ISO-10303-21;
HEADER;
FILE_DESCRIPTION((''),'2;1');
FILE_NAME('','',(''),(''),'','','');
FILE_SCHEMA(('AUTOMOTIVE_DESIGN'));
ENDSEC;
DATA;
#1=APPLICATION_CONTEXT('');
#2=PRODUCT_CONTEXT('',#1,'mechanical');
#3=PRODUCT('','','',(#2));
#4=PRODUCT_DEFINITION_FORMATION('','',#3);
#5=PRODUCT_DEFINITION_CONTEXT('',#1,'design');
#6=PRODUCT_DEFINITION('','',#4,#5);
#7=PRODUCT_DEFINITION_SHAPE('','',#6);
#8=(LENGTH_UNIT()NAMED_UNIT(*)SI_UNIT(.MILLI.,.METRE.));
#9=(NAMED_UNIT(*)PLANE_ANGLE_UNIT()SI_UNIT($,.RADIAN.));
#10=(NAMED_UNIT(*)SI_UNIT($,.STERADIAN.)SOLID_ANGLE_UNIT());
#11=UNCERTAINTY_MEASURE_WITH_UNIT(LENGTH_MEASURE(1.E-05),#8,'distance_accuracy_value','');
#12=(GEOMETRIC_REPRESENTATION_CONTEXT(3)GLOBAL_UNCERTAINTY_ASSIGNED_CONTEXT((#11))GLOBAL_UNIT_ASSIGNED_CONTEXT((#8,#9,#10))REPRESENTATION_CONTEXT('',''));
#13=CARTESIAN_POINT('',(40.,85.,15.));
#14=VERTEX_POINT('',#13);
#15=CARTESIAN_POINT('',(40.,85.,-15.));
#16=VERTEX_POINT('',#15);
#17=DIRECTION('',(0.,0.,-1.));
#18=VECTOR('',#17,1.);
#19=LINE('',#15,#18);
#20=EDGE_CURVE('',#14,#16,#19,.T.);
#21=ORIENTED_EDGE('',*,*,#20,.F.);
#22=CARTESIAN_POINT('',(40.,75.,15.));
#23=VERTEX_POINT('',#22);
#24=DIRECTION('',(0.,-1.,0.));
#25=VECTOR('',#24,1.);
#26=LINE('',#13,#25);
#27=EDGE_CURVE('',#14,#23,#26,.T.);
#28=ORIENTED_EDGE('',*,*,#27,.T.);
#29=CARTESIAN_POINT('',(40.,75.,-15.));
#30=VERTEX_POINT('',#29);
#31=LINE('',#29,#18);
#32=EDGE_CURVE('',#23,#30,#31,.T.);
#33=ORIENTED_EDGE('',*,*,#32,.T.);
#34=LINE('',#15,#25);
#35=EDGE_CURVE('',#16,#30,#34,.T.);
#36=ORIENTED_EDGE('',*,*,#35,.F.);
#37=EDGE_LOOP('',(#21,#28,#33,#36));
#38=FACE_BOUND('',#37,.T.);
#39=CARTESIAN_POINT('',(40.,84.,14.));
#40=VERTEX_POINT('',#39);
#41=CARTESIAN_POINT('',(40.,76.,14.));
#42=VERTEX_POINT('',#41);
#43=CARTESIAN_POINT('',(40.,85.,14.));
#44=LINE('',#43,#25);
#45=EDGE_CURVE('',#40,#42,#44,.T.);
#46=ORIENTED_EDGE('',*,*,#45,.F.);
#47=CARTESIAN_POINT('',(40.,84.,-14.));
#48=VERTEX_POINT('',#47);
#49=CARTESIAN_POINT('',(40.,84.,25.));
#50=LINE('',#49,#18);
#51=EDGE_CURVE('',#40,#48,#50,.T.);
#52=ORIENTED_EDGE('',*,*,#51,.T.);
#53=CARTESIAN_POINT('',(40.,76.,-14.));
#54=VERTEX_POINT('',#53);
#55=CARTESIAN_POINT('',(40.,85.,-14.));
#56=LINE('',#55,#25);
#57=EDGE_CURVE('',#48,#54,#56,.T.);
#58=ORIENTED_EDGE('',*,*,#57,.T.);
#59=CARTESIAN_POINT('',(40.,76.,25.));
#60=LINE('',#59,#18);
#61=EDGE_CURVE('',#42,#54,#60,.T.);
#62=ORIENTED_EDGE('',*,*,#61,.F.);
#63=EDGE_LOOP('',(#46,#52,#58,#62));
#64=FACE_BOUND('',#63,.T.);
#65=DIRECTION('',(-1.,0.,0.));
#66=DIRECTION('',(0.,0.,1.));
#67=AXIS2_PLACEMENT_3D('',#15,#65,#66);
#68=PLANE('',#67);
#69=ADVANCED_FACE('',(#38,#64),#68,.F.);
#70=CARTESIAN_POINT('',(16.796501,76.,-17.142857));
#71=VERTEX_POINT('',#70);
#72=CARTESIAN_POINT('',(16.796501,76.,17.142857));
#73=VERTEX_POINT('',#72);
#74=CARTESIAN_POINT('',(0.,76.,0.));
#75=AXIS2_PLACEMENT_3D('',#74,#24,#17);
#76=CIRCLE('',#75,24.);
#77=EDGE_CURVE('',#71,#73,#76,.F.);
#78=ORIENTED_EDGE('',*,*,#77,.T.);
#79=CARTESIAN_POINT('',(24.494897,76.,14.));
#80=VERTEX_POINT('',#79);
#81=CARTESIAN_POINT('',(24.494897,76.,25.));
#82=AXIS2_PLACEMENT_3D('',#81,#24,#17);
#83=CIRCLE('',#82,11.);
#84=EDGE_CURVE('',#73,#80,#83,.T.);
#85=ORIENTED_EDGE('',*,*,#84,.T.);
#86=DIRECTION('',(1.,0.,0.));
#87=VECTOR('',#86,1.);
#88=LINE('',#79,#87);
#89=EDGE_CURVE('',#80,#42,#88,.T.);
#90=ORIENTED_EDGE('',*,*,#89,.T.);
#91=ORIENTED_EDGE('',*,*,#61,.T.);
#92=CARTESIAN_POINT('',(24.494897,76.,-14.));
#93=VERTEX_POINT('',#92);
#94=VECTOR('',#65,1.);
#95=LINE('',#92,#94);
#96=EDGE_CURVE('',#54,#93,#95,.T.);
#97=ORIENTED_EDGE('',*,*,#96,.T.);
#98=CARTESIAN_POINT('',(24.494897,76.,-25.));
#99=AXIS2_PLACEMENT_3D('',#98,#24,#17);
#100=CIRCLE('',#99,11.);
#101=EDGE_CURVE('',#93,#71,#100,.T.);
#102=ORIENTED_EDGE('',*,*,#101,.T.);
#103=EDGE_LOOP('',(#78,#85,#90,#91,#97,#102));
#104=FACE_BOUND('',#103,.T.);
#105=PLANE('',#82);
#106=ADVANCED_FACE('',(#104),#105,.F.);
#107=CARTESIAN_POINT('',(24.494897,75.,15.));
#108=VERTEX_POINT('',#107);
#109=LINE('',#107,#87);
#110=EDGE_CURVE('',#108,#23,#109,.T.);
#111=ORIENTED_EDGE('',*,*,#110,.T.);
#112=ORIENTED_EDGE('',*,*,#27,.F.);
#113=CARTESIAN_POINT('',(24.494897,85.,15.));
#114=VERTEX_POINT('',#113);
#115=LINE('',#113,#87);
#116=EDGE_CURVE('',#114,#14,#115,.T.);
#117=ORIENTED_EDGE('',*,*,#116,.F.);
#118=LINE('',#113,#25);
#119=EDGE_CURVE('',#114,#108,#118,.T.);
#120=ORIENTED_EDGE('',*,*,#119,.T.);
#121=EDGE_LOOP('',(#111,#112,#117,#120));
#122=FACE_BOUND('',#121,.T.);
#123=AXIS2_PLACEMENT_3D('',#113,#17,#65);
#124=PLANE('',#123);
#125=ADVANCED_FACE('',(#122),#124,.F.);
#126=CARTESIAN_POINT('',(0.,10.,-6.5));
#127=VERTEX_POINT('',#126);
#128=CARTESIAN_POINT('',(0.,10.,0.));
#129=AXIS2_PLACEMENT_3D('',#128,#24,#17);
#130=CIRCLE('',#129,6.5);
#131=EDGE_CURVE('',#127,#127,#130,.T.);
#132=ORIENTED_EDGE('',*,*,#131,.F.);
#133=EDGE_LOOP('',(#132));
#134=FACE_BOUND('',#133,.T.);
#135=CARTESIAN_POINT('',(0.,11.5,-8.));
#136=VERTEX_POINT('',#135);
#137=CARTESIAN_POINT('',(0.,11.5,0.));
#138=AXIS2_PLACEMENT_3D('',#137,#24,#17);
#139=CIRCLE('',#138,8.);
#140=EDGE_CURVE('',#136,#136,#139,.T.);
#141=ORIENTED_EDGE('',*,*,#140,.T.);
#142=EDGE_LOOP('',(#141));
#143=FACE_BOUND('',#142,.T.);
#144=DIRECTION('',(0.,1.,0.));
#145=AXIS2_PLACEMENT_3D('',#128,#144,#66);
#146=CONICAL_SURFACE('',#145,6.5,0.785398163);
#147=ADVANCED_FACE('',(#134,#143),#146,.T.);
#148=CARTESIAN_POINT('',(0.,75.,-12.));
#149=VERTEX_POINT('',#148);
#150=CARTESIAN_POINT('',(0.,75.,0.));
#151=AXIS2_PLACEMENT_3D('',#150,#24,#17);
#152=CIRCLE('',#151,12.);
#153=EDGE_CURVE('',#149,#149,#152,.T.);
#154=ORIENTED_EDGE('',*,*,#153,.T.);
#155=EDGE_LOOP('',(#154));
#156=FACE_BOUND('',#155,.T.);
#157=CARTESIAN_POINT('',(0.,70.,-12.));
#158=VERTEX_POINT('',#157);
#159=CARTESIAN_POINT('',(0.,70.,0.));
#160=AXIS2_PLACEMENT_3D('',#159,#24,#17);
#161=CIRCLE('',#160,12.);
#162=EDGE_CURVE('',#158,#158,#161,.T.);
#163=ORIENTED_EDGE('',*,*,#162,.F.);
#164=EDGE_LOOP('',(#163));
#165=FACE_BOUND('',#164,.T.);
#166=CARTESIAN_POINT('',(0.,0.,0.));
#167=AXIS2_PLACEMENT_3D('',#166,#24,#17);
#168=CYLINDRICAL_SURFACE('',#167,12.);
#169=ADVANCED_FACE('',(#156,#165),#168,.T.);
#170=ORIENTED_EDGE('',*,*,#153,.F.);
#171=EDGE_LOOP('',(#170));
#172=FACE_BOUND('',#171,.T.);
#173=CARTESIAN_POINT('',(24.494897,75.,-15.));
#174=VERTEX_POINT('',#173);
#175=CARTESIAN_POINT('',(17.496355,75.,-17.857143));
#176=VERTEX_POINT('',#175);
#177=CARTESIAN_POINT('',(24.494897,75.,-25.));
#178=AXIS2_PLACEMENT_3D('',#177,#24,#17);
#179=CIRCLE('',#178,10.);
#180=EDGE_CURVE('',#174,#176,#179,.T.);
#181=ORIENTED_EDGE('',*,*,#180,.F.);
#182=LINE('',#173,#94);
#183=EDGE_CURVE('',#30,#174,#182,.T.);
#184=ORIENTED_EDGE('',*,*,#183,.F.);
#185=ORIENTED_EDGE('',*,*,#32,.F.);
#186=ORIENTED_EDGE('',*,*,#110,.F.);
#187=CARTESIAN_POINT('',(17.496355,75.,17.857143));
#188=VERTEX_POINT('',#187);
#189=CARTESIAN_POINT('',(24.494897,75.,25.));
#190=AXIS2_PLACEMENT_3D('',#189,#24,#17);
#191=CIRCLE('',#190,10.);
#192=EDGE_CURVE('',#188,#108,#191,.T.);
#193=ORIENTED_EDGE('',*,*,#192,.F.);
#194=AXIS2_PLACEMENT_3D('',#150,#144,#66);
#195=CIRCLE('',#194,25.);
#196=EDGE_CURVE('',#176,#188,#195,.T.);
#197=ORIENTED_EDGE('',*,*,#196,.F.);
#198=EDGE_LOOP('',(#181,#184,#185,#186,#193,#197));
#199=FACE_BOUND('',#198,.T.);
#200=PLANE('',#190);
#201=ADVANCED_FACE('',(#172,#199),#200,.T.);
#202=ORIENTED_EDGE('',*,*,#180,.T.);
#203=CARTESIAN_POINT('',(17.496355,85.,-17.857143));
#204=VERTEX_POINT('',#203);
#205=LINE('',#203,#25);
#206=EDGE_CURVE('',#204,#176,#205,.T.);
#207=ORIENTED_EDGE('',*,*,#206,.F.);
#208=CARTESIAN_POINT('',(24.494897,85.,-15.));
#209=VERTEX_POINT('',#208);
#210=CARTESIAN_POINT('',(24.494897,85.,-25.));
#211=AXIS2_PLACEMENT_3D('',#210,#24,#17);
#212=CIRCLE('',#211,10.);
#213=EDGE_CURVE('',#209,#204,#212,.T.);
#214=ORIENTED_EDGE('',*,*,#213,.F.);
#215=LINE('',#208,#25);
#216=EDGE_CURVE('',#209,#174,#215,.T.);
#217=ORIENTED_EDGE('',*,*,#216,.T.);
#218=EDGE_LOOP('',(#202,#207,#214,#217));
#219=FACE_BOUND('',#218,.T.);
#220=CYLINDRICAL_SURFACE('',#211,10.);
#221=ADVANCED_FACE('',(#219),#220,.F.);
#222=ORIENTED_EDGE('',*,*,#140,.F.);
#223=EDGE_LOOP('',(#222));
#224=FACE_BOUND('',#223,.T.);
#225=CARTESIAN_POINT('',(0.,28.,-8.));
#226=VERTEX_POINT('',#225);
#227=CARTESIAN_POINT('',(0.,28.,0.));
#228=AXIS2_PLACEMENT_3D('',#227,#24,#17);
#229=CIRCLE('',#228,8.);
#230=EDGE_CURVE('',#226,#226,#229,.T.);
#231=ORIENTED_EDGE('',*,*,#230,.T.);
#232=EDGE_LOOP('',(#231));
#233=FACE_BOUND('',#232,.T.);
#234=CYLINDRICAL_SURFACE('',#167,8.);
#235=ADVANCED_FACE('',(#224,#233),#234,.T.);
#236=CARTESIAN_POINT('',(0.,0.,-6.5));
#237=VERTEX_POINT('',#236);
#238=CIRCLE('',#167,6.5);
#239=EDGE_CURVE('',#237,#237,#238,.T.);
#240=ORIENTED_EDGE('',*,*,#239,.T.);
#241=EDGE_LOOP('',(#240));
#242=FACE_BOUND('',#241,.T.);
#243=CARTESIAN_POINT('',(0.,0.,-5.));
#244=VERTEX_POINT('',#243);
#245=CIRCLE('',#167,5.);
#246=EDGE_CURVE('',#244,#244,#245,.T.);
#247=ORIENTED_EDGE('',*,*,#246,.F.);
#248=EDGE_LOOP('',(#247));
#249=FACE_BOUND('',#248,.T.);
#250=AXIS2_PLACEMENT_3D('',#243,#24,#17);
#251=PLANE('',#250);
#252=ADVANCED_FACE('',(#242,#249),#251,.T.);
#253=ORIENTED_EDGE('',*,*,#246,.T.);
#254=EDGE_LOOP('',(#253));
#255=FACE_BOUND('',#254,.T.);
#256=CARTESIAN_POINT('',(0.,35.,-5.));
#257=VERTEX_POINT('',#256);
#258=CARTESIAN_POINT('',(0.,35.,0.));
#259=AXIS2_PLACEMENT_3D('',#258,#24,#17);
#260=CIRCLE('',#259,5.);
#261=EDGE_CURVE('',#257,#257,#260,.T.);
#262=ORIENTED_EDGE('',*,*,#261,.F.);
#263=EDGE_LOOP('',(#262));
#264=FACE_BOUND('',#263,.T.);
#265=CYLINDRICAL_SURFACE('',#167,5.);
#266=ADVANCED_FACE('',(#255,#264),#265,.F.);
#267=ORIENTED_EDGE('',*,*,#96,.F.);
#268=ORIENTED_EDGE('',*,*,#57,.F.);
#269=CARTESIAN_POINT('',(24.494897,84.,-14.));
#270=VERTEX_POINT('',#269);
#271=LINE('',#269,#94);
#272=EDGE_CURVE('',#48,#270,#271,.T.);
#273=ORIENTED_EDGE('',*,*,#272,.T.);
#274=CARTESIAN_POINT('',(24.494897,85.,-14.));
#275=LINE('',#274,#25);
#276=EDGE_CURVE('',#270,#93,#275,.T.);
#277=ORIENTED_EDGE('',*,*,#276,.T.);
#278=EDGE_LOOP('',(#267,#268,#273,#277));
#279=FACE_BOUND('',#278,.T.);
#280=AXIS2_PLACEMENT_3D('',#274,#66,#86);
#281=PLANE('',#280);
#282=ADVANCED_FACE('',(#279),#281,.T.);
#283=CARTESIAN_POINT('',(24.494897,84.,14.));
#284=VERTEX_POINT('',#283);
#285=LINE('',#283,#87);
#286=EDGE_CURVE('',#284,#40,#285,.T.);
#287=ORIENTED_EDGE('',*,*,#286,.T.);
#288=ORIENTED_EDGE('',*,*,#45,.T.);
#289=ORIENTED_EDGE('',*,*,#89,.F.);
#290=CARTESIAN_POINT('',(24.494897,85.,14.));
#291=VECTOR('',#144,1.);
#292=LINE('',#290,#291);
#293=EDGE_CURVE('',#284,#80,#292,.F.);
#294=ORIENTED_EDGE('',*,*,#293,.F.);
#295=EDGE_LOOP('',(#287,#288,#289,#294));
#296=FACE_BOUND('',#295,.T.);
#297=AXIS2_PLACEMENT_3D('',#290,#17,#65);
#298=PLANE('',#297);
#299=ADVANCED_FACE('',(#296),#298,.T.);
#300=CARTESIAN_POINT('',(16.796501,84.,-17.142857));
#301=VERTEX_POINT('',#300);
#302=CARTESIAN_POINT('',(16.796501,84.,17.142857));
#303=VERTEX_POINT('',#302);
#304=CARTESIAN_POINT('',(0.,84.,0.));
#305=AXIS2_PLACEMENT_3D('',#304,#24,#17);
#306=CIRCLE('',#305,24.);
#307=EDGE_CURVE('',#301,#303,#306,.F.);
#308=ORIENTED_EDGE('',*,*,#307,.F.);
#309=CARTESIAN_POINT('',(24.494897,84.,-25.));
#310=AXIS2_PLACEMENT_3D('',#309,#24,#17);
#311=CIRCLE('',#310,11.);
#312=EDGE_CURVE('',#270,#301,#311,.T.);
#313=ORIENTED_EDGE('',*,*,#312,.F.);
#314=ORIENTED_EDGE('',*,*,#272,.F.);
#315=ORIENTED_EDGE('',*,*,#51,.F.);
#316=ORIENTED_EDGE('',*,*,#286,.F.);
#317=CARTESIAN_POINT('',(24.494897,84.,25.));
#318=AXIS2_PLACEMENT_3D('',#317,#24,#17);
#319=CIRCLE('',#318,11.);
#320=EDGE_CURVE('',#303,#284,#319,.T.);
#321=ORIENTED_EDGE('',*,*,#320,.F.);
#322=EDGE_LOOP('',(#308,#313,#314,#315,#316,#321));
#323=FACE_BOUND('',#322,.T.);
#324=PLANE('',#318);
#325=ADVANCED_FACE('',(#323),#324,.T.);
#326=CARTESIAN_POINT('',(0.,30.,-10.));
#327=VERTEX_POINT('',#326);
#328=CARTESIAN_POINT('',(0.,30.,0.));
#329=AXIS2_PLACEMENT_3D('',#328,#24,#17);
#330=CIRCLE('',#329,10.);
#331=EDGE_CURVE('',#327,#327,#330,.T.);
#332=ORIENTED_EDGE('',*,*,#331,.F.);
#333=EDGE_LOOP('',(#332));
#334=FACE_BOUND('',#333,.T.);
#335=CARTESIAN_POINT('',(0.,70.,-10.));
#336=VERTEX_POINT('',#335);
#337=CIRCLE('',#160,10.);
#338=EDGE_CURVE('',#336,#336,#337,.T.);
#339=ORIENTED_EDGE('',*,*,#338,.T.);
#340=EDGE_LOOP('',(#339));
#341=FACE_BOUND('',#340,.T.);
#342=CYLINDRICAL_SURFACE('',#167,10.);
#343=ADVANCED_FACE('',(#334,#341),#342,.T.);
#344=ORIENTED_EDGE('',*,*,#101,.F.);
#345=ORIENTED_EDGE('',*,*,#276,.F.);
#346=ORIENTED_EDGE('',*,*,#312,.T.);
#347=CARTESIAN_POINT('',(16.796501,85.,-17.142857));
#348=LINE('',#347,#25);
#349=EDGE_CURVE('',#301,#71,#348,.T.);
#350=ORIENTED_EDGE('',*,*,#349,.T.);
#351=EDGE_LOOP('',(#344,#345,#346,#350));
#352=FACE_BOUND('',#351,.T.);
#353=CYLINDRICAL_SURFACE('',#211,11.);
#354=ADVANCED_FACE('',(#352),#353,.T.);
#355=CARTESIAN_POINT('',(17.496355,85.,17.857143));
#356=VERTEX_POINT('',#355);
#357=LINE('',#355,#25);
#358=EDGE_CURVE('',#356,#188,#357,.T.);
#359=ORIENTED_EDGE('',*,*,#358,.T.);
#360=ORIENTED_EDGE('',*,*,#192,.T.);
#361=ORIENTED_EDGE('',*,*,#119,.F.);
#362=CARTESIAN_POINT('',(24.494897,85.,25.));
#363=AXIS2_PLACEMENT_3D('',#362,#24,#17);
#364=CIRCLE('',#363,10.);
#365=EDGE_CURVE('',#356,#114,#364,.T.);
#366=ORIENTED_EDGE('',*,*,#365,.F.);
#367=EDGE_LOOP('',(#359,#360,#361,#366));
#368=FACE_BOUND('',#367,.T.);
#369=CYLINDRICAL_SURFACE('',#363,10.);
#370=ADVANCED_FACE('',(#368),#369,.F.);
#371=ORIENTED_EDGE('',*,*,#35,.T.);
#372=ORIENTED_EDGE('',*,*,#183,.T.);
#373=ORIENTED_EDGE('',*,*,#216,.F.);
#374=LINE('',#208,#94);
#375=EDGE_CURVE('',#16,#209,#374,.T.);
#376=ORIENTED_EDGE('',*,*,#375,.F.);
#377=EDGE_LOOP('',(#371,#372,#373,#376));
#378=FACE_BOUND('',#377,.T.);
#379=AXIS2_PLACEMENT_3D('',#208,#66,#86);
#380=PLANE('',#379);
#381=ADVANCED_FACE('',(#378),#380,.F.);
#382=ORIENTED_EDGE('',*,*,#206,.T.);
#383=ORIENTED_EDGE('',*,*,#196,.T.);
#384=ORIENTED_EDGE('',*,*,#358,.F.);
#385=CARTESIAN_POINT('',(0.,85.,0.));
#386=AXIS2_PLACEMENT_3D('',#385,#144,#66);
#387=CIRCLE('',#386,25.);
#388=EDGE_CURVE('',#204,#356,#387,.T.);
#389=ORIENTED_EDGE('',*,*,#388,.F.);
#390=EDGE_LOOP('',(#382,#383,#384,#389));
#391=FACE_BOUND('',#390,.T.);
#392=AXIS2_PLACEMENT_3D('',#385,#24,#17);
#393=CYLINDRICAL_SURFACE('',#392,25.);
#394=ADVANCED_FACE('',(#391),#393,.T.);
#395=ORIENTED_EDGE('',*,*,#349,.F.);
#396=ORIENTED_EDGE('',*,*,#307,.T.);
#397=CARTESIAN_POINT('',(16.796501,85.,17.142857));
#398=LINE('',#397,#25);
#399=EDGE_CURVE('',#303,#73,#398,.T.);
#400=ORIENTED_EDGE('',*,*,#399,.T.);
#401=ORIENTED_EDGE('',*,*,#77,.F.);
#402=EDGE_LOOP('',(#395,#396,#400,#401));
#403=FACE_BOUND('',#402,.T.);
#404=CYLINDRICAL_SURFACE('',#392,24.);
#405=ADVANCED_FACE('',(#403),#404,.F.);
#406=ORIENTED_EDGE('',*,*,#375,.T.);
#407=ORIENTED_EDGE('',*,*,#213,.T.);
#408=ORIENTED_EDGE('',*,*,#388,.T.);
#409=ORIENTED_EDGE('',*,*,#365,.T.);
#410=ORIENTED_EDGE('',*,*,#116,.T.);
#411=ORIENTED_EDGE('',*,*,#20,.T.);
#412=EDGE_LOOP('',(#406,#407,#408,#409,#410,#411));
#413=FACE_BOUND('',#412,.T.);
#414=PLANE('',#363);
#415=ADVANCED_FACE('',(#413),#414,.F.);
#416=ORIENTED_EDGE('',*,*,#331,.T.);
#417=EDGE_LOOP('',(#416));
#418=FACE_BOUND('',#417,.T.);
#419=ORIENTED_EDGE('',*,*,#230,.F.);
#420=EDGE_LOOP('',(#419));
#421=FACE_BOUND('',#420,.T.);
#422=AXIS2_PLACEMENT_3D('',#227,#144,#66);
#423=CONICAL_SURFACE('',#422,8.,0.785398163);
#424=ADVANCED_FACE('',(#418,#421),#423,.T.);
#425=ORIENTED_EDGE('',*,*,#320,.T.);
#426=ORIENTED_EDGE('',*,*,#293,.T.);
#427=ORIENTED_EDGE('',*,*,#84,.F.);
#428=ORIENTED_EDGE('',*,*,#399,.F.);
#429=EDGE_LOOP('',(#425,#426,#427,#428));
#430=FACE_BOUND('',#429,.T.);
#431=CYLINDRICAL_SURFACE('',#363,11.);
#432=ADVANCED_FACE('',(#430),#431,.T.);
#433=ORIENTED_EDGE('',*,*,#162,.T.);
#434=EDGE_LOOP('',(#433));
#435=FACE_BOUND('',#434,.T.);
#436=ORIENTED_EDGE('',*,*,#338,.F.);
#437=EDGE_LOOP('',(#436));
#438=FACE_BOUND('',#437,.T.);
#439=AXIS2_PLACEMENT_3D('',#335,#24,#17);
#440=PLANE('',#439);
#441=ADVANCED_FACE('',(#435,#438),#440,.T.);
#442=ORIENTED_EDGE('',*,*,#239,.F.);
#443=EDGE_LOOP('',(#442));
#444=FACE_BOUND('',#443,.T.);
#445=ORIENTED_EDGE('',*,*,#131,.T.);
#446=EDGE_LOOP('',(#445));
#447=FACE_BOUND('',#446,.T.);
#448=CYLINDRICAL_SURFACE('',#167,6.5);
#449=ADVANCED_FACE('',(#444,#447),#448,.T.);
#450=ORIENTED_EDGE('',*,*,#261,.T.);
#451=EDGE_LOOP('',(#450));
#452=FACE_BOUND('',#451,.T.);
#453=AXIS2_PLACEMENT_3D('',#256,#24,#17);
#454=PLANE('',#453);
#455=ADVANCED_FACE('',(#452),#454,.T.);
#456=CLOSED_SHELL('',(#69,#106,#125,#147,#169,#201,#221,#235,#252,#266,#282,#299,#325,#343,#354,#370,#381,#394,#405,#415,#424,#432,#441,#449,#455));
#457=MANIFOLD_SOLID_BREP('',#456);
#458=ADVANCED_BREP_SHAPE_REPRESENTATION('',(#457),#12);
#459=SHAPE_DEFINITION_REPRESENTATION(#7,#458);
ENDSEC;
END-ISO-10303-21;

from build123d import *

# Parameters (mm, degrees)
BOSS_EXTRUDE1_DEPTH = 10
SHELL1_T            = -1


with BuildPart() as part:
    # Sketch1 → Revolve1 (revolve)
    with BuildSketch(Plane(origin=(0, 0, 0), x_dir=(0, 0, -1), z_dir=(1, 0, 0))):
        Polygon((5, 0), (6.5, 0), (6.5, 10), (8, 11.5), (8, 28), (10, 30), (10, 70), (12, 70), (12, 75), (0, 75), (0, 35), (5, 35), align=None)
    revolve(axis=Axis((0, 0, 0), (0, 1, 0)))


with BuildPart() as body_2:
    # Sketch2 → Boss-Extrude1 (new body)
    with BuildSketch(Plane(origin=(0, 75, 0), x_dir=(1, 0, 0), z_dir=(0, 1, 0))):
        with BuildLine():
            Line((24.494897428, 15), (40, 15))
            Line((40, 15), (40, -15))
            Line((40, -15), (24.494897428, -15))
            ThreePointArc((24.494897428, -15), (20.715252698, -15.741799002), (17.496355306, -17.857142857))
            ThreePointArc((17.496355306, -17.857142857), (-25, 0), (17.496355306, 17.857142857))
            ThreePointArc((17.496355306, 17.857142857), (20.715252698, 15.741799002), (24.494897428, 15))
        make_face()
    extrude(amount=BOSS_EXTRUDE1_DEPTH)

    # Shell1
    shell1_openings = [body_2.faces().sort_by_distance(p)[0] for p in [
        (40, 80, 0),
    ]]
    offset(amount=SHELL1_T, openings=shell1_openings, kind=Kind.INTERSECTION)

    # Combine1: union part
    add(part.part)


solid = body_2.part
